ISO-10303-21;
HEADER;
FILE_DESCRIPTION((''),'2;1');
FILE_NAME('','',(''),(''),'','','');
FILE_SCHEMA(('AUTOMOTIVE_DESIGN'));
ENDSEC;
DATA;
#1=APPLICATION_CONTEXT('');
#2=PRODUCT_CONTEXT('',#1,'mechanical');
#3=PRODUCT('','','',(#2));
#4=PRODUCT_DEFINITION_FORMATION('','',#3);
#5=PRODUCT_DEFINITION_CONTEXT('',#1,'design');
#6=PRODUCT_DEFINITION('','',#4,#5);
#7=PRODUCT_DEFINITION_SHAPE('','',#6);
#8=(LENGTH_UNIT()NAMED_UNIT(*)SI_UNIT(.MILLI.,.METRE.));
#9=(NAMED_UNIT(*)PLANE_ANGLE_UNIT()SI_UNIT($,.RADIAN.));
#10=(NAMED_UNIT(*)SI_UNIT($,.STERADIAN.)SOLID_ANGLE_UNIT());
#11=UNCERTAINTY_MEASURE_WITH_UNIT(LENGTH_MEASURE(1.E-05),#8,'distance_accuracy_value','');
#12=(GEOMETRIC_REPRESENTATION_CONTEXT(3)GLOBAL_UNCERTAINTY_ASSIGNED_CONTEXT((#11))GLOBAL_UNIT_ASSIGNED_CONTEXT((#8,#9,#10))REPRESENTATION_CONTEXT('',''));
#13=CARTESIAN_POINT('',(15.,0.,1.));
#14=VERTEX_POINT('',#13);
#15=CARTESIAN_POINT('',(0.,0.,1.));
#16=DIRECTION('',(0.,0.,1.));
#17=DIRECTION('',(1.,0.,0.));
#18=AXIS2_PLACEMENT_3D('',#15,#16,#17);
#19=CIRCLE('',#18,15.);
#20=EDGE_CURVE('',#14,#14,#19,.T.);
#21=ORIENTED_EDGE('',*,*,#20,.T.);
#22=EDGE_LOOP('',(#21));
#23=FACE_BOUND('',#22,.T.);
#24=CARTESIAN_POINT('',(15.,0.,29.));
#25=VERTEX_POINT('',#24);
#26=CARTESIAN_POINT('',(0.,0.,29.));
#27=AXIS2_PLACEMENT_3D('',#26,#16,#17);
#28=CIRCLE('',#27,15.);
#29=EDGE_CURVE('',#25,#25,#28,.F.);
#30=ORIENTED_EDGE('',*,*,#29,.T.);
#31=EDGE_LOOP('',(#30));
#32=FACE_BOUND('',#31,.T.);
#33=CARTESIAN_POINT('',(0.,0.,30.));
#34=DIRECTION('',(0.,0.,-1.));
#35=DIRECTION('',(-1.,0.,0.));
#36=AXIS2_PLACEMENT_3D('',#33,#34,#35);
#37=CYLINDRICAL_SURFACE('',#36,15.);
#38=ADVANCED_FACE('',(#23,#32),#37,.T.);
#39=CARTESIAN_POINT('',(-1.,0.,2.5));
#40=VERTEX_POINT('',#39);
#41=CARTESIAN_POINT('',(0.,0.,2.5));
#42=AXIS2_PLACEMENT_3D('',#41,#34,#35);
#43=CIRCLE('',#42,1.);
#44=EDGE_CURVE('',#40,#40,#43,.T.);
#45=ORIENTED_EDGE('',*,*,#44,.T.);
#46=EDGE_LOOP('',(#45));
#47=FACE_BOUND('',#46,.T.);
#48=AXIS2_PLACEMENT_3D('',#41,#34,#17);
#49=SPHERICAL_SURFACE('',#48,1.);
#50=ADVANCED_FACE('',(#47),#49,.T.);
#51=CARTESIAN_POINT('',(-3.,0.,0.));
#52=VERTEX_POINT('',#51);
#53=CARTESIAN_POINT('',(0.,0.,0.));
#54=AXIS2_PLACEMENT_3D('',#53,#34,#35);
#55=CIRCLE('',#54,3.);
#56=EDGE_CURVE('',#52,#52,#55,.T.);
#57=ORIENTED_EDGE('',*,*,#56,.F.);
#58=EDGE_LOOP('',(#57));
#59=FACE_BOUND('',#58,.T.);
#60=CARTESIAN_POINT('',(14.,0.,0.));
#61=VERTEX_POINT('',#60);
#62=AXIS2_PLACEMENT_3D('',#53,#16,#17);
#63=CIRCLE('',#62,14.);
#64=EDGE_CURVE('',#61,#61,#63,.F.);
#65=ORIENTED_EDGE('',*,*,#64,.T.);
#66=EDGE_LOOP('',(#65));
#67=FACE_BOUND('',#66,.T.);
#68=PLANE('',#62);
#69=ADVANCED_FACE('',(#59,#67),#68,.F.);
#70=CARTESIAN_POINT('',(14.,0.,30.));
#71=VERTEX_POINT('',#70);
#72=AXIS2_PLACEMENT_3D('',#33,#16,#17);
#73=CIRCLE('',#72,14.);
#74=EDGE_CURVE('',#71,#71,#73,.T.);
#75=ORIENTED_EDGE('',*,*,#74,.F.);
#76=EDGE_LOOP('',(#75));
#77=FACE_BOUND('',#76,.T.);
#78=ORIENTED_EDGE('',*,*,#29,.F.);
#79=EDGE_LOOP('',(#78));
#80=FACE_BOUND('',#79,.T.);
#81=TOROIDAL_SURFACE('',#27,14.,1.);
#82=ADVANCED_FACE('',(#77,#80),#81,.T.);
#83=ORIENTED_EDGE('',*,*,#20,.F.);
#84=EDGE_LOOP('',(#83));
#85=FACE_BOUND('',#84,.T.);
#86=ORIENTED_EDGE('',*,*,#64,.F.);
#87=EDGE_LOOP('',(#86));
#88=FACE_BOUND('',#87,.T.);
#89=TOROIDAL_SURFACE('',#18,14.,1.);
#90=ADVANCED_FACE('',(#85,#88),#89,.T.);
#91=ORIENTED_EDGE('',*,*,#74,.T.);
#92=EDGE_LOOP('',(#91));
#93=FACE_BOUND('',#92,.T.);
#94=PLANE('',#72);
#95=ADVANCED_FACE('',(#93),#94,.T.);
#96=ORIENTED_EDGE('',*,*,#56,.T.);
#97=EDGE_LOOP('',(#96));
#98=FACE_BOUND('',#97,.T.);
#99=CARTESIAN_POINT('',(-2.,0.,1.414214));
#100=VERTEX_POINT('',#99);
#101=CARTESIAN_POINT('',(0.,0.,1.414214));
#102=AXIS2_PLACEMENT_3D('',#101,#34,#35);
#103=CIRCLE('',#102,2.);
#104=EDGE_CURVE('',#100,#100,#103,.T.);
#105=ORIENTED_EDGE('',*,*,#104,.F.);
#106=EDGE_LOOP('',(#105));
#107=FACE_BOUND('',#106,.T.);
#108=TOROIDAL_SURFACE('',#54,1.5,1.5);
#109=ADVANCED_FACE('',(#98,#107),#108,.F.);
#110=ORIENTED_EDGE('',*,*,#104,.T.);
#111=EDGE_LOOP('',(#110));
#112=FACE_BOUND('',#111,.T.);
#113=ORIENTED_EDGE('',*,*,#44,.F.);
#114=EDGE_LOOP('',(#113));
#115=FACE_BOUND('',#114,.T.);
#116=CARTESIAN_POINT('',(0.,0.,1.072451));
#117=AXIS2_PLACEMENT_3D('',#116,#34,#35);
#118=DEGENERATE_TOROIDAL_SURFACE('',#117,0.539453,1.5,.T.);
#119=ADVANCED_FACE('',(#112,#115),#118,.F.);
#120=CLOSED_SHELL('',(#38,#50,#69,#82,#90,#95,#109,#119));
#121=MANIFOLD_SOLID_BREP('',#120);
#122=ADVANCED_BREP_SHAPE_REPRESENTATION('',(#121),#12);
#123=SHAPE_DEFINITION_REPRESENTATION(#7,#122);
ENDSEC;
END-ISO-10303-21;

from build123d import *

# Parameters (mm, degrees)
SKETCH_1_R      = 15
EXTRUDE_1_DEPTH = 30
FILLET_1_R      = 1


with BuildPart() as part:
    # 草图1 → 凸台-拉伸1 (new body)
    with BuildSketch(Plane.XY):
        Circle(SKETCH_1_R)
    extrude(amount=EXTRUDE_1_DEPTH)

    # 圆角1
    fillet_1_edges = [part.edges().sort_by_distance(p)[0] for p in [
        (-15, 0, 0),
        (-15, 0, 30),
    ]]
    fillet(fillet_1_edges, radius=FILLET_1_R)

    # 草图2 → 切除-旋转1 (revolve, cut)
    with BuildSketch(Plane(origin=(0, 0, 0), x_dir=(1, 0, 0), z_dir=(0, 1, 0)), mode=Mode.PRIVATE) as cut_revolve_1_sk:
        with BuildLine():
            Line((0, 0), (3, 0))
            ThreePointArc((3, 0), (2.724744871, -0.866025404), (2, -1.414213562))
            ThreePointArc((2, -1.414213562), (1.642804036, -2.088628074), (1, -2.5))
            ThreePointArc((1, -2.5), (0.707106781, -1.792893219), (0, -1.5))
            Line((0, -1.5), (0, 0))
        make_face()
    revolve(cut_revolve_1_sk.sketch.rotate(Axis((0, 0, -2.778762471), (0, 0, 1)), 180), axis=Axis((0, 0, -2.778762471), (0, 0, 1)), mode=Mode.SUBTRACT)


solid = part.part
